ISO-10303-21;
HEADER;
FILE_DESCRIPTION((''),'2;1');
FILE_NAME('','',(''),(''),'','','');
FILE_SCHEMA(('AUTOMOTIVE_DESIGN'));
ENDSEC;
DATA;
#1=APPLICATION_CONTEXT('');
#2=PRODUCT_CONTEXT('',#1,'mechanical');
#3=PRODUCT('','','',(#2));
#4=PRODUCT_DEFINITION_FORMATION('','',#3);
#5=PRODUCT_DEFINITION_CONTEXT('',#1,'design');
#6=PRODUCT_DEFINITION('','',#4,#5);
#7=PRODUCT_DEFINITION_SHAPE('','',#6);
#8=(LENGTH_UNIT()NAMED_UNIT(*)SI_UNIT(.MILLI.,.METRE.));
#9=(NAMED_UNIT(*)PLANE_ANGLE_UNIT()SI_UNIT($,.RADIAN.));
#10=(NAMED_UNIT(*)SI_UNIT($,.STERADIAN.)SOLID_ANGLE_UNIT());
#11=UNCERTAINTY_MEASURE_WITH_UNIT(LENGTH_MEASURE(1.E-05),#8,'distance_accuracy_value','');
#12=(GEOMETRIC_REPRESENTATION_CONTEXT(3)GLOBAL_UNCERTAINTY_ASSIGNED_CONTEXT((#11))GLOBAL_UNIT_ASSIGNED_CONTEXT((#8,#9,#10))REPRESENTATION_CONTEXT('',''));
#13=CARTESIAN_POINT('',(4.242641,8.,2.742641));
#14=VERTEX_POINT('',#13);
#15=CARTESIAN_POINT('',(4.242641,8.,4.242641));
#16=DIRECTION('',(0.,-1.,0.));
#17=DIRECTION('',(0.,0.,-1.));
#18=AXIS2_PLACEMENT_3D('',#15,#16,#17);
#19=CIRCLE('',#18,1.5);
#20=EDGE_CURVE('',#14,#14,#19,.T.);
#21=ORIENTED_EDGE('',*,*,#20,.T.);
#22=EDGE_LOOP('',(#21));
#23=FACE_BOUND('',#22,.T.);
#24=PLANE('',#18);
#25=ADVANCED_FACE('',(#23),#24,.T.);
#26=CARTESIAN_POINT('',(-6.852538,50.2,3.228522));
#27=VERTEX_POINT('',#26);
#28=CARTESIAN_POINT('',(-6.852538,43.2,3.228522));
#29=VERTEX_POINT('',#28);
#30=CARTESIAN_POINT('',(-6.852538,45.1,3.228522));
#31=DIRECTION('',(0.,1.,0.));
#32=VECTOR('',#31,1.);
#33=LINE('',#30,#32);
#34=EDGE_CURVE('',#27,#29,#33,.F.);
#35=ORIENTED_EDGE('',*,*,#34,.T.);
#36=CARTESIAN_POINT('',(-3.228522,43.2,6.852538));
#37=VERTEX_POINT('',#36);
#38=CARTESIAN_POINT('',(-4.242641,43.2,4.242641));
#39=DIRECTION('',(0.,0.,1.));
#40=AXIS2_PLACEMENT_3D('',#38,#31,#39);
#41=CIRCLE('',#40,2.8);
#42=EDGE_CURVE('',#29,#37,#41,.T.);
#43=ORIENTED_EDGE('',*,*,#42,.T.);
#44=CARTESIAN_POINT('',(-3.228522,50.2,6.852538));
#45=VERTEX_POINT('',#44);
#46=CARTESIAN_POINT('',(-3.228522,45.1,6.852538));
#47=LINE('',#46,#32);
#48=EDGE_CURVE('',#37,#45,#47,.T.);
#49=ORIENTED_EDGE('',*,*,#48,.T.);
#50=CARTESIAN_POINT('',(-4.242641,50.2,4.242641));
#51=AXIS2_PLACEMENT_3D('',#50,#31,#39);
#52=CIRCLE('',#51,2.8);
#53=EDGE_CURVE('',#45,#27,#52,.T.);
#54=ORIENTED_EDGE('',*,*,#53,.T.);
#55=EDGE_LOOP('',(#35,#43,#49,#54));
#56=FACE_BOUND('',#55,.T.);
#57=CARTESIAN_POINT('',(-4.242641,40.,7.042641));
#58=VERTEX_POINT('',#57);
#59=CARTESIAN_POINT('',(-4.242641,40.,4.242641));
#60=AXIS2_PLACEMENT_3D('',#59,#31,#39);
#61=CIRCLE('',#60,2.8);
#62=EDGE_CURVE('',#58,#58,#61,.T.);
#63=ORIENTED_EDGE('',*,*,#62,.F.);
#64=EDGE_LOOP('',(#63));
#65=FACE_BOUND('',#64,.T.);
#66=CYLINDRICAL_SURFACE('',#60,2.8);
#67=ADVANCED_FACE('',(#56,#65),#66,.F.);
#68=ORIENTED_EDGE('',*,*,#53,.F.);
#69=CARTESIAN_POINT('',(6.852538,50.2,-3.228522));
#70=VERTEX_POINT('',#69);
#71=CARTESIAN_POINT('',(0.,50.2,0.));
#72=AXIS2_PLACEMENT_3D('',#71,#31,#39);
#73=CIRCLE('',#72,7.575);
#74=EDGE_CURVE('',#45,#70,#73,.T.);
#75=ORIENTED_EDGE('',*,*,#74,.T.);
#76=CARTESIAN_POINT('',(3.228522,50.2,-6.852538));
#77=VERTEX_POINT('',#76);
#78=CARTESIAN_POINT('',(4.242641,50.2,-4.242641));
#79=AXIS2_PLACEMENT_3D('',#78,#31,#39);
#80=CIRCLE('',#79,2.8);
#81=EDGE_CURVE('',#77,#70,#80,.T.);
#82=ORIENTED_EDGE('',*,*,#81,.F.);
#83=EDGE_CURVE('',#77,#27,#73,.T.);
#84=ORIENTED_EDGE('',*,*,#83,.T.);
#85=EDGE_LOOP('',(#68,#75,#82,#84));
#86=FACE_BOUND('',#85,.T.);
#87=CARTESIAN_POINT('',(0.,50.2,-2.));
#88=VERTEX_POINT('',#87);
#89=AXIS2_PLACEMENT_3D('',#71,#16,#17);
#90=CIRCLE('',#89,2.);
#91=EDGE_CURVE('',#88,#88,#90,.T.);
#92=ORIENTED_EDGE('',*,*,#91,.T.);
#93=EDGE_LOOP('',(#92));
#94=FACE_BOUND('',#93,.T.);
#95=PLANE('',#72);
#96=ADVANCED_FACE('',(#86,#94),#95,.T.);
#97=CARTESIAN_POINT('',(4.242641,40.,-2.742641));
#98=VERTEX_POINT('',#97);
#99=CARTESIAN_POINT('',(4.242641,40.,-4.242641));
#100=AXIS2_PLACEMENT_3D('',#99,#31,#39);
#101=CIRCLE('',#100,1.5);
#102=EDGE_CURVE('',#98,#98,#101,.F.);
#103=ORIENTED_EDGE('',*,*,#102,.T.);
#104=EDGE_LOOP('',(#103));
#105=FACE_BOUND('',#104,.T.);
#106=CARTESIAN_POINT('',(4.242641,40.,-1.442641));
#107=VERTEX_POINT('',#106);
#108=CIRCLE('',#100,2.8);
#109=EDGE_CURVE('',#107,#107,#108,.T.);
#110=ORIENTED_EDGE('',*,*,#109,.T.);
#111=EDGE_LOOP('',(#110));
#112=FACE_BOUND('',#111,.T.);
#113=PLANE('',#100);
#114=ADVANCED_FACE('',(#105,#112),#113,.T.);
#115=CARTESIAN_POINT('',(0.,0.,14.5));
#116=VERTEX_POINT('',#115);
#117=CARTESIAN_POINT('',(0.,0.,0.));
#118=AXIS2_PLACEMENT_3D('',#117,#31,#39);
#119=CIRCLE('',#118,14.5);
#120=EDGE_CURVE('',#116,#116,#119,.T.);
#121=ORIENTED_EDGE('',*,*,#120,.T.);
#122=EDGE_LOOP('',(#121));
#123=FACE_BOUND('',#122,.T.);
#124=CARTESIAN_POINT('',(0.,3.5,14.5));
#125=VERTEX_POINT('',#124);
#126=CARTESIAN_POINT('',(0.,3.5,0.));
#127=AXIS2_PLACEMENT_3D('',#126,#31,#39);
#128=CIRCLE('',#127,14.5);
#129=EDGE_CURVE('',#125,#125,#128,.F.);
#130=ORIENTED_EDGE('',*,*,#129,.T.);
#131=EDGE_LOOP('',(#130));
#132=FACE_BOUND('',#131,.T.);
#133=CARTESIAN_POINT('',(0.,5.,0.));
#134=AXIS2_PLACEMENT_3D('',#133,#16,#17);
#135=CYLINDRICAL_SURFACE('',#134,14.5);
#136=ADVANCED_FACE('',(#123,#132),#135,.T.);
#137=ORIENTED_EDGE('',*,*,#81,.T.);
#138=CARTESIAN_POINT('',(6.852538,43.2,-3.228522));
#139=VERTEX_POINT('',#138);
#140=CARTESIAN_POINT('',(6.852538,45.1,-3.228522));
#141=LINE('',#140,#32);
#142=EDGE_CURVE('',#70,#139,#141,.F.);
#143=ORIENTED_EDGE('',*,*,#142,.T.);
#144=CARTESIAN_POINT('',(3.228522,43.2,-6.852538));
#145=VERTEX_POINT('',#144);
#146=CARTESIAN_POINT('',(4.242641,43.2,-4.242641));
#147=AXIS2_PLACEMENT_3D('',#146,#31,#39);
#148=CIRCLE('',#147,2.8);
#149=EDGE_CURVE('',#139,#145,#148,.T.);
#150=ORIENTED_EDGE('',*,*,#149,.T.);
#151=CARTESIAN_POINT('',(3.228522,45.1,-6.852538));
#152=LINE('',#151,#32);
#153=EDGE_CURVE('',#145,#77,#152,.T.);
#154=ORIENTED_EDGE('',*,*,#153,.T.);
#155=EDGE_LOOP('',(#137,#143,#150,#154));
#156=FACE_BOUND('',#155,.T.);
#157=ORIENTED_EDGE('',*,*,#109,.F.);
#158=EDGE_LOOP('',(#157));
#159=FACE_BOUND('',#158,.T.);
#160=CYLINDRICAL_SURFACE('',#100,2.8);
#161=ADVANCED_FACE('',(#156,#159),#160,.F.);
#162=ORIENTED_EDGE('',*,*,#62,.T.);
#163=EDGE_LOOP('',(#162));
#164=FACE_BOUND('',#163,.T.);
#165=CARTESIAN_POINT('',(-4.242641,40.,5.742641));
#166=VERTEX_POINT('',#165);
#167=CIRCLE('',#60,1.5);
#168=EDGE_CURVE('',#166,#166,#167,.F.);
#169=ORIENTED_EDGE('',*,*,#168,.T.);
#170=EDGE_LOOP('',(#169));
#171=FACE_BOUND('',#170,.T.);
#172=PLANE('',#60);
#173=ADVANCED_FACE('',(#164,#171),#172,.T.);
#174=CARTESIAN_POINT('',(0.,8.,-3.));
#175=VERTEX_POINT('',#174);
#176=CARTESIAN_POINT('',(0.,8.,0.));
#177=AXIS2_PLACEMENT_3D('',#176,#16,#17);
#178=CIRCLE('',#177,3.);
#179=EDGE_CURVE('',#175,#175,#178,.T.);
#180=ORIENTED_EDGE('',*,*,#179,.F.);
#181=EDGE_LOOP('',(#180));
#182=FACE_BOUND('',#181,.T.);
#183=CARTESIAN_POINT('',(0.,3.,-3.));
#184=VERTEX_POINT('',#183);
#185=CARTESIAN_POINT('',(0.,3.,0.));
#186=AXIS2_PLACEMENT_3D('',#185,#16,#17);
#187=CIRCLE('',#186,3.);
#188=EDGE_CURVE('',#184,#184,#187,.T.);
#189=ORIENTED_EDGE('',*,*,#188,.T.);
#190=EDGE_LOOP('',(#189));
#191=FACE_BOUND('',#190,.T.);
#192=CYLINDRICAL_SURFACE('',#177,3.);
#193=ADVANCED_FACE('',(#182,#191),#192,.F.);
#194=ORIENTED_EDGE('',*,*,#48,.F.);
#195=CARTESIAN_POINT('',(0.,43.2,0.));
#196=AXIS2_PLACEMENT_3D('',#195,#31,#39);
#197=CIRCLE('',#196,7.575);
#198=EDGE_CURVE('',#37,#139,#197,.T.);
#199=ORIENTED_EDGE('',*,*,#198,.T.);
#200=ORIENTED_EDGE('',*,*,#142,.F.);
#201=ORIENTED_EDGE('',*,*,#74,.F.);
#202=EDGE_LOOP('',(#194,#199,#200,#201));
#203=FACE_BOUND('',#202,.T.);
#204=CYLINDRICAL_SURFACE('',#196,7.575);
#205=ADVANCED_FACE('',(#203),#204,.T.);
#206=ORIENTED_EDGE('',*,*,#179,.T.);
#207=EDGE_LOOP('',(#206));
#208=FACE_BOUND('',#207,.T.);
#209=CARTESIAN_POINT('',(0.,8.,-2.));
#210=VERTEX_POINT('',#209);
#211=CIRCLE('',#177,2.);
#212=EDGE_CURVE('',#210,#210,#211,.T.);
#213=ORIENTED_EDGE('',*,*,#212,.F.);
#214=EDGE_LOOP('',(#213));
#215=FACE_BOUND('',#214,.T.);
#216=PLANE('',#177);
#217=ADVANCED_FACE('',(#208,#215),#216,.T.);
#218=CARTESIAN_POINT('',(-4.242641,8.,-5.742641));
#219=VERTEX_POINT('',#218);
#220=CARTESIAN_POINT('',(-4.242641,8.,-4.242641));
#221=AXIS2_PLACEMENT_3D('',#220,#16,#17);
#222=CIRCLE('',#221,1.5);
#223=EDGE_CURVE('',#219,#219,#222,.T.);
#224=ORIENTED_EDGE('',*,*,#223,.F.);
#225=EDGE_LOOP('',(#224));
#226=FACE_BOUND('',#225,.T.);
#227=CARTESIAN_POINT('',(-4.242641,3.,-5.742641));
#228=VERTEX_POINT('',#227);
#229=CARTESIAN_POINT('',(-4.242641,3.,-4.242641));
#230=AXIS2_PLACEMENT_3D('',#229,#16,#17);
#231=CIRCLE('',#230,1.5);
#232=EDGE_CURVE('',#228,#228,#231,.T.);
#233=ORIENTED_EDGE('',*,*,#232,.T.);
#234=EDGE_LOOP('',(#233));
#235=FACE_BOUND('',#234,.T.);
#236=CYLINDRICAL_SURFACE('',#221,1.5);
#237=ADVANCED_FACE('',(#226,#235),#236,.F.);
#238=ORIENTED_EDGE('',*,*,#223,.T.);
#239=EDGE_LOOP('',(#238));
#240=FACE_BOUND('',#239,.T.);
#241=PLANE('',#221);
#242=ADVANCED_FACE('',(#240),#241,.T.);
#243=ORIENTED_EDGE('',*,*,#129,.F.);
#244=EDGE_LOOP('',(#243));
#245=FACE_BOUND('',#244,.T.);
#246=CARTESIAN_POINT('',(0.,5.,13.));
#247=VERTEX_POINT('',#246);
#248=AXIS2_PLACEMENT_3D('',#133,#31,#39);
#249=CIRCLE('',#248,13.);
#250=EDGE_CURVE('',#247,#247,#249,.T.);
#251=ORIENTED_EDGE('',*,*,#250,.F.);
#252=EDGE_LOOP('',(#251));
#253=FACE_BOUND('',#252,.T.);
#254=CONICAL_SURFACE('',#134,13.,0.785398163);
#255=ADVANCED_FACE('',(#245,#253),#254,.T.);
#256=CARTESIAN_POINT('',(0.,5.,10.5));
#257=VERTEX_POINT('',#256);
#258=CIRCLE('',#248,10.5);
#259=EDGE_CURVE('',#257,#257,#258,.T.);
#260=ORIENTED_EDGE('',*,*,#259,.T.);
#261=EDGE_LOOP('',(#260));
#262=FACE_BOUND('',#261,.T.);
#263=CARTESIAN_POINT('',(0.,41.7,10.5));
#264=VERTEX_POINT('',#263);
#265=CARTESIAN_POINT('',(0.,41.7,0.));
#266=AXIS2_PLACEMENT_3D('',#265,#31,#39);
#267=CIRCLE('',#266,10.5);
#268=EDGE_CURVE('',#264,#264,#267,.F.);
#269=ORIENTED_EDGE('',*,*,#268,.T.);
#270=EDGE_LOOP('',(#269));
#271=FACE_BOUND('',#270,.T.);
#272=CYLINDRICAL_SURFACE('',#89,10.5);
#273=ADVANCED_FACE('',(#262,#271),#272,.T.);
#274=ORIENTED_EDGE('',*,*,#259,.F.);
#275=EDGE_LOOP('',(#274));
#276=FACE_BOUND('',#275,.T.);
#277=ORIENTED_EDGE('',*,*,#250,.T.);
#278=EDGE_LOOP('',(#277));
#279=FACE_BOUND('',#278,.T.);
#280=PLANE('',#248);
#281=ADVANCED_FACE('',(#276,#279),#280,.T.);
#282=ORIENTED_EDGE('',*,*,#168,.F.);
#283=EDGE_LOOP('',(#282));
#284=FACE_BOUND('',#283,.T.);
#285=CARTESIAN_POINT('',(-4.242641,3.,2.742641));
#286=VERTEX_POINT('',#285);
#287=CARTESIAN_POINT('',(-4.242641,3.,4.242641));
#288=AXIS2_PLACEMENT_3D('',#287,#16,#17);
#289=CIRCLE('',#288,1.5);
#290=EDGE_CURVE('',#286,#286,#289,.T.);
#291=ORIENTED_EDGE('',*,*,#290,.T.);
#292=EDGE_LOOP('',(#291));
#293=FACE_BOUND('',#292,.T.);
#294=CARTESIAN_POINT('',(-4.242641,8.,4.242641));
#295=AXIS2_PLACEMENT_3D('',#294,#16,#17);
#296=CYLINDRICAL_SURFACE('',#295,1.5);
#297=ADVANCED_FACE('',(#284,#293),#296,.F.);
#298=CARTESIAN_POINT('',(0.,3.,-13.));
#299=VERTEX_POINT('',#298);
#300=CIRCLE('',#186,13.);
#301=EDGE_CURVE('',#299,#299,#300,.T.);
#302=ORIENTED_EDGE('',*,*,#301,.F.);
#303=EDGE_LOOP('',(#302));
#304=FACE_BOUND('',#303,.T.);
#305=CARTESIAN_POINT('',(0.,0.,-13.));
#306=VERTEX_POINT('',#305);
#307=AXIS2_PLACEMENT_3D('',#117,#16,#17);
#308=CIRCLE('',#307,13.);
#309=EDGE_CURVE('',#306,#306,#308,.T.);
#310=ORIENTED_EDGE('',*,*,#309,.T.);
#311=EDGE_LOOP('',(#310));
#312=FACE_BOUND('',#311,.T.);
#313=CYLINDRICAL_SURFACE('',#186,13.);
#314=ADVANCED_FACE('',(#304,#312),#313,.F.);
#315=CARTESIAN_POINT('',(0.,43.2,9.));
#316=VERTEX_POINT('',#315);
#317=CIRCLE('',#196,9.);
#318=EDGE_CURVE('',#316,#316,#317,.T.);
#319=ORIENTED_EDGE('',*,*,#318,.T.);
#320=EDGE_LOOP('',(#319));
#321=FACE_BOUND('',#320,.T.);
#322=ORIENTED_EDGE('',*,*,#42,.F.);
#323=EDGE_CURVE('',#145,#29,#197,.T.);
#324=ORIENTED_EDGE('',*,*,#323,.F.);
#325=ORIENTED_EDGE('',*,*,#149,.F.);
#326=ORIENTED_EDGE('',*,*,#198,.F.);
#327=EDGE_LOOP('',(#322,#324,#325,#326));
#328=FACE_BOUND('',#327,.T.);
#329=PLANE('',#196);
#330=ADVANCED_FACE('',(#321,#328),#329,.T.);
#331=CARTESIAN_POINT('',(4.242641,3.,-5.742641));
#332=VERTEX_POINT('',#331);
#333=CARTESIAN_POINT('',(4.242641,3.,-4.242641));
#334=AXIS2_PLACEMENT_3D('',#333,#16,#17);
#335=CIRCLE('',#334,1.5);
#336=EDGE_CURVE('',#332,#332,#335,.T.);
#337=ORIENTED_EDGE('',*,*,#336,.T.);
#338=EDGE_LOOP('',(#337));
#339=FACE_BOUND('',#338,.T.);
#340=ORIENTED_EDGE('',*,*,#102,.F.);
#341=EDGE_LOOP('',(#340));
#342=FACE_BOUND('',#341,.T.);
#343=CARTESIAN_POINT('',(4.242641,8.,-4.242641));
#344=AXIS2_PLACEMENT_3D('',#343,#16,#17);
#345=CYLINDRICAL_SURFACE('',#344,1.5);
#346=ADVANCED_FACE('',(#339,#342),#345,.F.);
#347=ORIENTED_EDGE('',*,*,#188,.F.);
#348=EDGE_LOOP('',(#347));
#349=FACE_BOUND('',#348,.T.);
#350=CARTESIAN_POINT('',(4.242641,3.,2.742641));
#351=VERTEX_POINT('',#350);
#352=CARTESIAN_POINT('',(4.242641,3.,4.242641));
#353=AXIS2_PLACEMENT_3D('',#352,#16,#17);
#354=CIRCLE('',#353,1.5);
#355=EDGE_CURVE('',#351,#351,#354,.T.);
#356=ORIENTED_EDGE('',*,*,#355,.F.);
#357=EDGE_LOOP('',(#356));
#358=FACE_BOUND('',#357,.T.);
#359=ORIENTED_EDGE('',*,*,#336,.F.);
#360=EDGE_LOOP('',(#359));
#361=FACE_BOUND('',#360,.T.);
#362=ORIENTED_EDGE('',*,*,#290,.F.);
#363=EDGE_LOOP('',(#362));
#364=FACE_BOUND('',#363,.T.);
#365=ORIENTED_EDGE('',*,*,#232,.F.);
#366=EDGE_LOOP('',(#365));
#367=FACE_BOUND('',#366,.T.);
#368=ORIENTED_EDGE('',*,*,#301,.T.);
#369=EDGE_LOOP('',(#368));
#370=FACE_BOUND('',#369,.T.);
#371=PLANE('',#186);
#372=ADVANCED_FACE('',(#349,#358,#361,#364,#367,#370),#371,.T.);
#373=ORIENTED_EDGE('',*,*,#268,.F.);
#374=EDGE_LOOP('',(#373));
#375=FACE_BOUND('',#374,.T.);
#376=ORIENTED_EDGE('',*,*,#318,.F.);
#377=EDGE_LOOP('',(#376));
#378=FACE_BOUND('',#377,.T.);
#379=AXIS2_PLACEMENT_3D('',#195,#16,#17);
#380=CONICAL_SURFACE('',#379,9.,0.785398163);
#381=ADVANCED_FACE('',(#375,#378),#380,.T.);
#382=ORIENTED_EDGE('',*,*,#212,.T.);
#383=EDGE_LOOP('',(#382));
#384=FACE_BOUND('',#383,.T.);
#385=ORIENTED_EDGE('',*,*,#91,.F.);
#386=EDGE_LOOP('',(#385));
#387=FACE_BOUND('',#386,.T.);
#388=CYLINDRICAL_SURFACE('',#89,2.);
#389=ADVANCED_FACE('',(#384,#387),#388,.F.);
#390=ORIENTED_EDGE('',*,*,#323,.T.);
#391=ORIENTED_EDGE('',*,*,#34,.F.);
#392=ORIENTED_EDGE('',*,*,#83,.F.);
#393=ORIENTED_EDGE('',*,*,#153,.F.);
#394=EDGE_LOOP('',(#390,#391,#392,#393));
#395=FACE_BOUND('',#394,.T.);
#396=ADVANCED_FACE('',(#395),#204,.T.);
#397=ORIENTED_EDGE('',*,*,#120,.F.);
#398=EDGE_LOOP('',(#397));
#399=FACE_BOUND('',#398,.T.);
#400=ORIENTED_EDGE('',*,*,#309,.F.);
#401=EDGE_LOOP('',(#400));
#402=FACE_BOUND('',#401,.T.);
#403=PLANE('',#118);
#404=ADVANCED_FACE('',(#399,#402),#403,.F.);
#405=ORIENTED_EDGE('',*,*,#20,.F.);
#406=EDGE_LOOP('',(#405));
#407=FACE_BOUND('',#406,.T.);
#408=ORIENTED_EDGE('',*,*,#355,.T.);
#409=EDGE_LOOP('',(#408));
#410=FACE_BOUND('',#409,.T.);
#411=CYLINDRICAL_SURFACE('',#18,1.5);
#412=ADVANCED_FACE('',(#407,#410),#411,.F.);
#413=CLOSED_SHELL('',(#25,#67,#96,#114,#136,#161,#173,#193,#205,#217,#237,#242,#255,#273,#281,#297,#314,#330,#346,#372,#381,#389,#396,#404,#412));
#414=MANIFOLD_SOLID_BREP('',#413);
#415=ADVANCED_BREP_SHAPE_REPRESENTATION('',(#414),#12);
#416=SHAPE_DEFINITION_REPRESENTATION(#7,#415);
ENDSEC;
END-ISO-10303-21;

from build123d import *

# Parameters (mm, degrees)
SKETCH1_R              = 14.5
BOSS_EXTRUDE1_DEPTH    = 5
SKETCH2_R              = 13
CUT_EXTRUDE1_DEPTH     = 3
SKETCH6_R              = 10.5
BOSS_EXTRUDE3_DEPTH    = 45.2
CUT_EXTRUDE2_START     = -2
SKETCH3_R              = 3
SKETCH3_R_2            = 1.5
CUT_EXTRUDE2_DEPTH     = 5
BEARING_START          = -7
SKETCH7_R              = 10.5
SKETCH7_R_2            = 7.575
BEARING_SUPPORT_DEPTH  = 7
SKETCH8_R              = 2
SKETCH8_R_2            = 1.5
M4_HOLE_BORE_DEPTH     = 52.462024834
SKETCH9_R              = 2.8
M3_BOLT_RECESSES_DEPTH = 10.2
CHAMFER1_SIZE          = 1.5


with BuildPart() as part:
    # Sketch1 → Boss-Extrude1 (new body)
    with BuildSketch(Plane(origin=(0, 0, 0), x_dir=(1, 0, 0), z_dir=(0, 1, 0))):
        with Locations(Location((0, 0, 0), (0, 0, 270))):
            Circle(SKETCH1_R)
    extrude(amount=BOSS_EXTRUDE1_DEPTH)

    # Sketch2 → Cut-Extrude1 (cut)
    with BuildSketch(Plane.XZ):
        with Locations(Location((0, 0, 0), (0, 0, 270))):
            Circle(SKETCH2_R)
    extrude(amount=-CUT_EXTRUDE1_DEPTH, mode=Mode.SUBTRACT)

    # Sketch6 → Boss-Extrude3 (add)
    with BuildSketch(Plane(origin=(0, 5, 0), x_dir=(1, 0, 0), z_dir=(0, 1, 0))):
        with Locations(Location((0, 0, 0), (0, 0, 270))):
            Circle(SKETCH6_R)
    extrude(amount=BOSS_EXTRUDE3_DEPTH)

    # Sketch3 → Cut-Extrude2 (cut)
    with BuildSketch(Plane(origin=(0, 5, 0), x_dir=(1, 0, 0), z_dir=(0, 1, 0)).offset(CUT_EXTRUDE2_START)):
        with Locations(Location((0, 0, 0), (0, 0, 90))):
            Circle(SKETCH3_R)
        with Locations(Location((-4.242640687, 4.242640687, 0), (0, 0, 90))):
            Circle(SKETCH3_R_2)
        with Locations(Location((4.242640687, 4.242640687, 0), (0, 0, 90))):
            Circle(SKETCH3_R_2)
        with Locations(Location((4.242640687, -4.242640687, 0), (0, 0, 90))):
            Circle(SKETCH3_R_2)
        with Locations(Location((-4.242640687, -4.242640687, 0), (0, 0, 90))):
            Circle(SKETCH3_R_2)
    extrude(amount=CUT_EXTRUDE2_DEPTH, mode=Mode.SUBTRACT)

    # Sketch7 → Bearing Support (cut)
    with BuildSketch(Plane(origin=(0, 50.2, 0), x_dir=(1, 0, 0), z_dir=(0, 1, 0)).offset(BEARING_START)):
        with Locations(Location((0, 0, 0), (0, 0, 270))):
            Circle(SKETCH7_R)
        with Locations(Location((0, 0, 0), (0, 0, 270))):
            Circle(SKETCH7_R_2, mode=Mode.SUBTRACT)
    extrude(amount=BEARING_SUPPORT_DEPTH, mode=Mode.SUBTRACT)

    # Sketch8 → M4 Hole Bore (cut, through all)
    with BuildSketch(Plane.XZ.offset(-3)):
        with Locations(Location((0, 0, 0), (0, 0, 270))):
            Circle(SKETCH8_R)
        with Locations(Location((-4.242640687, 4.242640687, 0), (0, 0, 270))):
            Circle(SKETCH8_R_2)
        with Locations(Location((4.242640687, -4.242640687, 0), (0, 0, 270))):
            Circle(SKETCH8_R_2)
    extrude(amount=-M4_HOLE_BORE_DEPTH, mode=Mode.SUBTRACT)

    # Sketch9 → M3 Bolt Recesses (cut)
    with BuildSketch(Plane(origin=(0, 50.2, 0), x_dir=(1, 0, 0), z_dir=(0, 1, 0))):
        with Locations(Location((4.242640687, 4.242640687, 0), (0, 0, 270))):
            Circle(SKETCH9_R)
        with Locations(Location((-4.242640687, -4.242640687, 0), (0, 0, 270))):
            Circle(SKETCH9_R)
    extrude(amount=-M3_BOLT_RECESSES_DEPTH, mode=Mode.SUBTRACT)

    # Chamfer1
    chamfer1_edges = [part.edges().sort_by_distance(p)[0] for p in [
        (0, 43.2, -10.5),
        (0, 5, -14.5),
    ]]
    chamfer(chamfer1_edges, length=CHAMFER1_SIZE)


solid = part.part
